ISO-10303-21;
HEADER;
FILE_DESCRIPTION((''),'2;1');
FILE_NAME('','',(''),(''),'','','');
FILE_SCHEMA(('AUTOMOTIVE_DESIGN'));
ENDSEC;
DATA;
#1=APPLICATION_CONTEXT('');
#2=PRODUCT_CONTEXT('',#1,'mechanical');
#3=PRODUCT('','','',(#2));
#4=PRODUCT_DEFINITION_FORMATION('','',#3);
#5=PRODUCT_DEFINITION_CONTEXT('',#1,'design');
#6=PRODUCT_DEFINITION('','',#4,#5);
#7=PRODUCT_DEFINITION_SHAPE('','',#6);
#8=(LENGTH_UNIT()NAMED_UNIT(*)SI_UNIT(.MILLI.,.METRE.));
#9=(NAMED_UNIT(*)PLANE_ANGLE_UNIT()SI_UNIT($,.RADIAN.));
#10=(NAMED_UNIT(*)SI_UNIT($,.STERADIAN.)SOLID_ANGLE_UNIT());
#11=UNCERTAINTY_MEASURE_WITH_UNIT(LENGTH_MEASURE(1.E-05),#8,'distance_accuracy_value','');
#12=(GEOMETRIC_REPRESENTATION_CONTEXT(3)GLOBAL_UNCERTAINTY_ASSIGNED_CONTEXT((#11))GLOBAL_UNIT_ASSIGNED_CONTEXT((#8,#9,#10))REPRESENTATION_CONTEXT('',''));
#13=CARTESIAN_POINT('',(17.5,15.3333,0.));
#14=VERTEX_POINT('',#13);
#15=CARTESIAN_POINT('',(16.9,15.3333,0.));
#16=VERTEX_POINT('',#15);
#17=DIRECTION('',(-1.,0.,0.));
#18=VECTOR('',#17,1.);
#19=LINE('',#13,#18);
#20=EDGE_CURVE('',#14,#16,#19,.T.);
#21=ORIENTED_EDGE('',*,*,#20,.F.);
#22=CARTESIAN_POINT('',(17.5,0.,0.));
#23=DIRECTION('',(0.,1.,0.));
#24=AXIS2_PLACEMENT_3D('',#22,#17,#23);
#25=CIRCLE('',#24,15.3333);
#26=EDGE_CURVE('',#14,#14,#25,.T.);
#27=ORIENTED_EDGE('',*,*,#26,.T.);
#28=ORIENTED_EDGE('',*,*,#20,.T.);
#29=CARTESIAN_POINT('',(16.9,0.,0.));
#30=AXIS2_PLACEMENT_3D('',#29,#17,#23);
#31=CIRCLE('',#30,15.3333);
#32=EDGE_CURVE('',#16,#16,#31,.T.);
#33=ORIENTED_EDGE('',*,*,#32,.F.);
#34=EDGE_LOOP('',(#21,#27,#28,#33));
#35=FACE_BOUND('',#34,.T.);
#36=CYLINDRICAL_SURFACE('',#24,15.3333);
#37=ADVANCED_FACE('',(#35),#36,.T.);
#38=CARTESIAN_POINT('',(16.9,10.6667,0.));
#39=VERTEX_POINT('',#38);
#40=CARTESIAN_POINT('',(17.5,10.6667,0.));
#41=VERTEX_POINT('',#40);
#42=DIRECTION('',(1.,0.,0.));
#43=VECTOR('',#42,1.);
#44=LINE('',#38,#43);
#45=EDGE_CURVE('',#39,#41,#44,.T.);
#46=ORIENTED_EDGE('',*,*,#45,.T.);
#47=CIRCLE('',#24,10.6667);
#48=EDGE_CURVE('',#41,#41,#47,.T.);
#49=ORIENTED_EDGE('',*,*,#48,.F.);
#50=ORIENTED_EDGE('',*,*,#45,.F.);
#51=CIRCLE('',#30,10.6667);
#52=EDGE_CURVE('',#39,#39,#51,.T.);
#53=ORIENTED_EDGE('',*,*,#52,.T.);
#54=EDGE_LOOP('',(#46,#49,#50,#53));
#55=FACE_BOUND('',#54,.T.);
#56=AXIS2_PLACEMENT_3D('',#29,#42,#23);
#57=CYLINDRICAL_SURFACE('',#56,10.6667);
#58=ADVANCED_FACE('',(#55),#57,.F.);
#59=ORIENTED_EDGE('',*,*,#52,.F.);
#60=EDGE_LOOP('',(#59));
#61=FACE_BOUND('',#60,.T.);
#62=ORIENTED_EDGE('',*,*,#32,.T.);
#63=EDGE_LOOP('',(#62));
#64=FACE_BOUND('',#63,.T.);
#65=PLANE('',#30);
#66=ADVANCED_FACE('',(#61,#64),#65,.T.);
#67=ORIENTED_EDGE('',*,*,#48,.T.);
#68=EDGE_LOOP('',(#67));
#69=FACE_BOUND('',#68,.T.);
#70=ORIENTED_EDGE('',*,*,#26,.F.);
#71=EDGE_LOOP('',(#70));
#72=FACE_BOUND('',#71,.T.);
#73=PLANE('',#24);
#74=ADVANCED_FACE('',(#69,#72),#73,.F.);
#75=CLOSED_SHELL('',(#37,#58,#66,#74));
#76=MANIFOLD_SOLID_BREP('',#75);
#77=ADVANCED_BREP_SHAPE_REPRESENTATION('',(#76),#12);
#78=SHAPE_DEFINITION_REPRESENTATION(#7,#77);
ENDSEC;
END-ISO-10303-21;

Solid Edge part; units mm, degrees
sketch "Sketch1" plane through (0, 0, 0) normal (0, 0, 1) x (1, 0, 0)
  line L0 (16.9, 15.3333) -> (16.9, 10.6667)
  line L1 (16.9, 10.6667) -> (17.5, 10.6667)
  line L2 (17.5, 10.6667) -> (17.5, 15.3333)
  line L3 (17.5, 15.3333) -> (16.9, 15.3333)
revolve "RevolvedProtrusion1" add sketch "Sketch1" angle 360 about axis through (17.5, 0, 0) along (-1, 0, 0)
properties part number "UCP201 GB/T7810-1995_PART4"
